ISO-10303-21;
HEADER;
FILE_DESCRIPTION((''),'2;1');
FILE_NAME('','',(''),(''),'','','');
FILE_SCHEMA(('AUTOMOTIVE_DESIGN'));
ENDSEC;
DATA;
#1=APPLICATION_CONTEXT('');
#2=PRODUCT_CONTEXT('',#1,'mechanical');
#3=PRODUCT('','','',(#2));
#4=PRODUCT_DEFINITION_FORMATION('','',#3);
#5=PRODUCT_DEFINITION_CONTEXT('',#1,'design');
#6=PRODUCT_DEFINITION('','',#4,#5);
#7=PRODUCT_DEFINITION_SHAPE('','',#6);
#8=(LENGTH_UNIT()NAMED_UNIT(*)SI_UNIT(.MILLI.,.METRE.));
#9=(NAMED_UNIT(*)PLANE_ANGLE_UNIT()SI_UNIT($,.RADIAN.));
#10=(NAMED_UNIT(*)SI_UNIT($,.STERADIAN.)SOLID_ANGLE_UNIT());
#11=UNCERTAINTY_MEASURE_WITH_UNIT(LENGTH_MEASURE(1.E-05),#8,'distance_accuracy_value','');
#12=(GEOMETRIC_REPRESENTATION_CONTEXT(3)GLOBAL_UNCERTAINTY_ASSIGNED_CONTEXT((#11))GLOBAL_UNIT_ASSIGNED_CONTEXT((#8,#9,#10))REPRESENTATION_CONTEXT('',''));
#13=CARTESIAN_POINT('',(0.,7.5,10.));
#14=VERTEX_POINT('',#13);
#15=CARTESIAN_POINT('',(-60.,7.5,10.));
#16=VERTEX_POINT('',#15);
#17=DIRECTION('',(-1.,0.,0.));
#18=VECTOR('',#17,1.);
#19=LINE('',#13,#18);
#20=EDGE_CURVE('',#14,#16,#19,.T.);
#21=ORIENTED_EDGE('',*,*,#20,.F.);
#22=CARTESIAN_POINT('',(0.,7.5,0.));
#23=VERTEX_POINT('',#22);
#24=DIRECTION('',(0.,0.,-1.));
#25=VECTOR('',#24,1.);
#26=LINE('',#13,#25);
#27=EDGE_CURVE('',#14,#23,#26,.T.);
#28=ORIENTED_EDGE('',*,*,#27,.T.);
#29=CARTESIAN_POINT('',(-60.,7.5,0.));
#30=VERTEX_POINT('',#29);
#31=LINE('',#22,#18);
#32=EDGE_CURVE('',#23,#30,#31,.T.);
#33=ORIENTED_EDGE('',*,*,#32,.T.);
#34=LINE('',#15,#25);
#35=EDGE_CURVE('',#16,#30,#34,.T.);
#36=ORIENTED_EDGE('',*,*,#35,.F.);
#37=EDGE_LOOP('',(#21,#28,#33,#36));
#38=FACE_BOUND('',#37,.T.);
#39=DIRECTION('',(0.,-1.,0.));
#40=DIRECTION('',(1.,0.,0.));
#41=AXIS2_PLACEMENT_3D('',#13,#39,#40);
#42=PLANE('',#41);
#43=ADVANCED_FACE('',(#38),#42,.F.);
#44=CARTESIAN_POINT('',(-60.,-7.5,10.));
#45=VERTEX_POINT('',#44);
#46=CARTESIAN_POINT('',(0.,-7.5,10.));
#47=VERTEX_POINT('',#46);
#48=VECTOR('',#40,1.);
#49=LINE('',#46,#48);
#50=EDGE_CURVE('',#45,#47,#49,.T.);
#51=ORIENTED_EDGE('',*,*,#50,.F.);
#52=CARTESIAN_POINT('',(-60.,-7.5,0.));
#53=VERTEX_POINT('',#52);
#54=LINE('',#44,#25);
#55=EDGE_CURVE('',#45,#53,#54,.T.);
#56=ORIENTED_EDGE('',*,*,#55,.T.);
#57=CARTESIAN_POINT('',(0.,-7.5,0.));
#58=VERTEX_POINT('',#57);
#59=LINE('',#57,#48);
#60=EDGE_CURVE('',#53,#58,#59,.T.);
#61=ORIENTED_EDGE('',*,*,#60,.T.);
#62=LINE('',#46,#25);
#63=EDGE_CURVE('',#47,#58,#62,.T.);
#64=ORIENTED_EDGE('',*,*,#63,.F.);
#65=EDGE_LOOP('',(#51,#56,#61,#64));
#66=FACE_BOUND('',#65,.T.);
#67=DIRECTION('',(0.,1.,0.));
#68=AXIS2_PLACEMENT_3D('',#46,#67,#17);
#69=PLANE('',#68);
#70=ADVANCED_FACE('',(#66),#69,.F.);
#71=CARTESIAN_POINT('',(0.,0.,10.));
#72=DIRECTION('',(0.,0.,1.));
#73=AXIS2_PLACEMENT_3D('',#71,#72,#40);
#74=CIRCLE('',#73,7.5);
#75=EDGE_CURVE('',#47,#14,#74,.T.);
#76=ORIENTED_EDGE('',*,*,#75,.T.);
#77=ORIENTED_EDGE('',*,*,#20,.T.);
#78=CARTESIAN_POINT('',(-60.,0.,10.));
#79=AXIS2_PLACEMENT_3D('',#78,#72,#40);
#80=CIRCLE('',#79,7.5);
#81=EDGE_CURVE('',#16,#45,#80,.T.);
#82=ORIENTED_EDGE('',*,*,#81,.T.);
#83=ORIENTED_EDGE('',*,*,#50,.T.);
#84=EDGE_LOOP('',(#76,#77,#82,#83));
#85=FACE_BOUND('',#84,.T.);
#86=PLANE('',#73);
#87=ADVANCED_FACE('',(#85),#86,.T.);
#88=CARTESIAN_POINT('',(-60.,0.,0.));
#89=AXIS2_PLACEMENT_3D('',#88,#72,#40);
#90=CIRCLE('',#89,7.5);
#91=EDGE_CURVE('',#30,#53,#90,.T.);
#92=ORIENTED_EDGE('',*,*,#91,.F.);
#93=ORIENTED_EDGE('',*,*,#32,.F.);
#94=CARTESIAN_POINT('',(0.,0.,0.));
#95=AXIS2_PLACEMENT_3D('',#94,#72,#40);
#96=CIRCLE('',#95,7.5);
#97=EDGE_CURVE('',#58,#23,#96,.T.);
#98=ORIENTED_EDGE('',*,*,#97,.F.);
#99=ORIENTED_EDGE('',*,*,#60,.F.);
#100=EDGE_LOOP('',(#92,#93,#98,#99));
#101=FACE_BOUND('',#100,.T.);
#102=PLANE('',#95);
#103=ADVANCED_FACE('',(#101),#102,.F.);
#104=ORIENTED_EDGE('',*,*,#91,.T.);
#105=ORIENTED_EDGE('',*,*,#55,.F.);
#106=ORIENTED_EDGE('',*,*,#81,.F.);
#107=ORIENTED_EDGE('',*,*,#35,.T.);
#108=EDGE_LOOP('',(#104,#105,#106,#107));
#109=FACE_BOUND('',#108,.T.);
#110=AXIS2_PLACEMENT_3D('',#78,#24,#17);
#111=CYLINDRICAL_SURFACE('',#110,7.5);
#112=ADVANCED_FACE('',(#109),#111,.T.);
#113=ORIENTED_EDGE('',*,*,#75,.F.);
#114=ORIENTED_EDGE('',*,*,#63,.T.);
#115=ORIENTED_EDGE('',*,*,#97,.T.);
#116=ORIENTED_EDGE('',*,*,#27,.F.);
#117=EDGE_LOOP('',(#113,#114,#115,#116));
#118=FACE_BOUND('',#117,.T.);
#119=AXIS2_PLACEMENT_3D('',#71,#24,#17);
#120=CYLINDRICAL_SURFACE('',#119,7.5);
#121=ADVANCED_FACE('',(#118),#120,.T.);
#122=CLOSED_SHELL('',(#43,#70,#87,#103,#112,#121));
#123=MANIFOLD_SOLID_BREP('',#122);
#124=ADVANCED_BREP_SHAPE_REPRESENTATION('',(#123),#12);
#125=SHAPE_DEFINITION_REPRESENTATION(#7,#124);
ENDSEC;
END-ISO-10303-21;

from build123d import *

# Parameters (mm, degrees)
EXTRUDE_1_DEPTH = 10


with BuildPart() as part:
    # 草图1 → 凸台-拉伸1 (new body)
    with BuildSketch(Plane.XY):
        with BuildLine():
            Line((0, -7.5), (-60, -7.5))
            ThreePointArc((-60, -7.5), (-67.5, 0), (-60, 7.5))
            Line((-60, 7.5), (0, 7.5))
            ThreePointArc((0, 7.5), (7.5, 0), (0, -7.5))
        make_face()
    extrude(amount=EXTRUDE_1_DEPTH)


solid = part.part
